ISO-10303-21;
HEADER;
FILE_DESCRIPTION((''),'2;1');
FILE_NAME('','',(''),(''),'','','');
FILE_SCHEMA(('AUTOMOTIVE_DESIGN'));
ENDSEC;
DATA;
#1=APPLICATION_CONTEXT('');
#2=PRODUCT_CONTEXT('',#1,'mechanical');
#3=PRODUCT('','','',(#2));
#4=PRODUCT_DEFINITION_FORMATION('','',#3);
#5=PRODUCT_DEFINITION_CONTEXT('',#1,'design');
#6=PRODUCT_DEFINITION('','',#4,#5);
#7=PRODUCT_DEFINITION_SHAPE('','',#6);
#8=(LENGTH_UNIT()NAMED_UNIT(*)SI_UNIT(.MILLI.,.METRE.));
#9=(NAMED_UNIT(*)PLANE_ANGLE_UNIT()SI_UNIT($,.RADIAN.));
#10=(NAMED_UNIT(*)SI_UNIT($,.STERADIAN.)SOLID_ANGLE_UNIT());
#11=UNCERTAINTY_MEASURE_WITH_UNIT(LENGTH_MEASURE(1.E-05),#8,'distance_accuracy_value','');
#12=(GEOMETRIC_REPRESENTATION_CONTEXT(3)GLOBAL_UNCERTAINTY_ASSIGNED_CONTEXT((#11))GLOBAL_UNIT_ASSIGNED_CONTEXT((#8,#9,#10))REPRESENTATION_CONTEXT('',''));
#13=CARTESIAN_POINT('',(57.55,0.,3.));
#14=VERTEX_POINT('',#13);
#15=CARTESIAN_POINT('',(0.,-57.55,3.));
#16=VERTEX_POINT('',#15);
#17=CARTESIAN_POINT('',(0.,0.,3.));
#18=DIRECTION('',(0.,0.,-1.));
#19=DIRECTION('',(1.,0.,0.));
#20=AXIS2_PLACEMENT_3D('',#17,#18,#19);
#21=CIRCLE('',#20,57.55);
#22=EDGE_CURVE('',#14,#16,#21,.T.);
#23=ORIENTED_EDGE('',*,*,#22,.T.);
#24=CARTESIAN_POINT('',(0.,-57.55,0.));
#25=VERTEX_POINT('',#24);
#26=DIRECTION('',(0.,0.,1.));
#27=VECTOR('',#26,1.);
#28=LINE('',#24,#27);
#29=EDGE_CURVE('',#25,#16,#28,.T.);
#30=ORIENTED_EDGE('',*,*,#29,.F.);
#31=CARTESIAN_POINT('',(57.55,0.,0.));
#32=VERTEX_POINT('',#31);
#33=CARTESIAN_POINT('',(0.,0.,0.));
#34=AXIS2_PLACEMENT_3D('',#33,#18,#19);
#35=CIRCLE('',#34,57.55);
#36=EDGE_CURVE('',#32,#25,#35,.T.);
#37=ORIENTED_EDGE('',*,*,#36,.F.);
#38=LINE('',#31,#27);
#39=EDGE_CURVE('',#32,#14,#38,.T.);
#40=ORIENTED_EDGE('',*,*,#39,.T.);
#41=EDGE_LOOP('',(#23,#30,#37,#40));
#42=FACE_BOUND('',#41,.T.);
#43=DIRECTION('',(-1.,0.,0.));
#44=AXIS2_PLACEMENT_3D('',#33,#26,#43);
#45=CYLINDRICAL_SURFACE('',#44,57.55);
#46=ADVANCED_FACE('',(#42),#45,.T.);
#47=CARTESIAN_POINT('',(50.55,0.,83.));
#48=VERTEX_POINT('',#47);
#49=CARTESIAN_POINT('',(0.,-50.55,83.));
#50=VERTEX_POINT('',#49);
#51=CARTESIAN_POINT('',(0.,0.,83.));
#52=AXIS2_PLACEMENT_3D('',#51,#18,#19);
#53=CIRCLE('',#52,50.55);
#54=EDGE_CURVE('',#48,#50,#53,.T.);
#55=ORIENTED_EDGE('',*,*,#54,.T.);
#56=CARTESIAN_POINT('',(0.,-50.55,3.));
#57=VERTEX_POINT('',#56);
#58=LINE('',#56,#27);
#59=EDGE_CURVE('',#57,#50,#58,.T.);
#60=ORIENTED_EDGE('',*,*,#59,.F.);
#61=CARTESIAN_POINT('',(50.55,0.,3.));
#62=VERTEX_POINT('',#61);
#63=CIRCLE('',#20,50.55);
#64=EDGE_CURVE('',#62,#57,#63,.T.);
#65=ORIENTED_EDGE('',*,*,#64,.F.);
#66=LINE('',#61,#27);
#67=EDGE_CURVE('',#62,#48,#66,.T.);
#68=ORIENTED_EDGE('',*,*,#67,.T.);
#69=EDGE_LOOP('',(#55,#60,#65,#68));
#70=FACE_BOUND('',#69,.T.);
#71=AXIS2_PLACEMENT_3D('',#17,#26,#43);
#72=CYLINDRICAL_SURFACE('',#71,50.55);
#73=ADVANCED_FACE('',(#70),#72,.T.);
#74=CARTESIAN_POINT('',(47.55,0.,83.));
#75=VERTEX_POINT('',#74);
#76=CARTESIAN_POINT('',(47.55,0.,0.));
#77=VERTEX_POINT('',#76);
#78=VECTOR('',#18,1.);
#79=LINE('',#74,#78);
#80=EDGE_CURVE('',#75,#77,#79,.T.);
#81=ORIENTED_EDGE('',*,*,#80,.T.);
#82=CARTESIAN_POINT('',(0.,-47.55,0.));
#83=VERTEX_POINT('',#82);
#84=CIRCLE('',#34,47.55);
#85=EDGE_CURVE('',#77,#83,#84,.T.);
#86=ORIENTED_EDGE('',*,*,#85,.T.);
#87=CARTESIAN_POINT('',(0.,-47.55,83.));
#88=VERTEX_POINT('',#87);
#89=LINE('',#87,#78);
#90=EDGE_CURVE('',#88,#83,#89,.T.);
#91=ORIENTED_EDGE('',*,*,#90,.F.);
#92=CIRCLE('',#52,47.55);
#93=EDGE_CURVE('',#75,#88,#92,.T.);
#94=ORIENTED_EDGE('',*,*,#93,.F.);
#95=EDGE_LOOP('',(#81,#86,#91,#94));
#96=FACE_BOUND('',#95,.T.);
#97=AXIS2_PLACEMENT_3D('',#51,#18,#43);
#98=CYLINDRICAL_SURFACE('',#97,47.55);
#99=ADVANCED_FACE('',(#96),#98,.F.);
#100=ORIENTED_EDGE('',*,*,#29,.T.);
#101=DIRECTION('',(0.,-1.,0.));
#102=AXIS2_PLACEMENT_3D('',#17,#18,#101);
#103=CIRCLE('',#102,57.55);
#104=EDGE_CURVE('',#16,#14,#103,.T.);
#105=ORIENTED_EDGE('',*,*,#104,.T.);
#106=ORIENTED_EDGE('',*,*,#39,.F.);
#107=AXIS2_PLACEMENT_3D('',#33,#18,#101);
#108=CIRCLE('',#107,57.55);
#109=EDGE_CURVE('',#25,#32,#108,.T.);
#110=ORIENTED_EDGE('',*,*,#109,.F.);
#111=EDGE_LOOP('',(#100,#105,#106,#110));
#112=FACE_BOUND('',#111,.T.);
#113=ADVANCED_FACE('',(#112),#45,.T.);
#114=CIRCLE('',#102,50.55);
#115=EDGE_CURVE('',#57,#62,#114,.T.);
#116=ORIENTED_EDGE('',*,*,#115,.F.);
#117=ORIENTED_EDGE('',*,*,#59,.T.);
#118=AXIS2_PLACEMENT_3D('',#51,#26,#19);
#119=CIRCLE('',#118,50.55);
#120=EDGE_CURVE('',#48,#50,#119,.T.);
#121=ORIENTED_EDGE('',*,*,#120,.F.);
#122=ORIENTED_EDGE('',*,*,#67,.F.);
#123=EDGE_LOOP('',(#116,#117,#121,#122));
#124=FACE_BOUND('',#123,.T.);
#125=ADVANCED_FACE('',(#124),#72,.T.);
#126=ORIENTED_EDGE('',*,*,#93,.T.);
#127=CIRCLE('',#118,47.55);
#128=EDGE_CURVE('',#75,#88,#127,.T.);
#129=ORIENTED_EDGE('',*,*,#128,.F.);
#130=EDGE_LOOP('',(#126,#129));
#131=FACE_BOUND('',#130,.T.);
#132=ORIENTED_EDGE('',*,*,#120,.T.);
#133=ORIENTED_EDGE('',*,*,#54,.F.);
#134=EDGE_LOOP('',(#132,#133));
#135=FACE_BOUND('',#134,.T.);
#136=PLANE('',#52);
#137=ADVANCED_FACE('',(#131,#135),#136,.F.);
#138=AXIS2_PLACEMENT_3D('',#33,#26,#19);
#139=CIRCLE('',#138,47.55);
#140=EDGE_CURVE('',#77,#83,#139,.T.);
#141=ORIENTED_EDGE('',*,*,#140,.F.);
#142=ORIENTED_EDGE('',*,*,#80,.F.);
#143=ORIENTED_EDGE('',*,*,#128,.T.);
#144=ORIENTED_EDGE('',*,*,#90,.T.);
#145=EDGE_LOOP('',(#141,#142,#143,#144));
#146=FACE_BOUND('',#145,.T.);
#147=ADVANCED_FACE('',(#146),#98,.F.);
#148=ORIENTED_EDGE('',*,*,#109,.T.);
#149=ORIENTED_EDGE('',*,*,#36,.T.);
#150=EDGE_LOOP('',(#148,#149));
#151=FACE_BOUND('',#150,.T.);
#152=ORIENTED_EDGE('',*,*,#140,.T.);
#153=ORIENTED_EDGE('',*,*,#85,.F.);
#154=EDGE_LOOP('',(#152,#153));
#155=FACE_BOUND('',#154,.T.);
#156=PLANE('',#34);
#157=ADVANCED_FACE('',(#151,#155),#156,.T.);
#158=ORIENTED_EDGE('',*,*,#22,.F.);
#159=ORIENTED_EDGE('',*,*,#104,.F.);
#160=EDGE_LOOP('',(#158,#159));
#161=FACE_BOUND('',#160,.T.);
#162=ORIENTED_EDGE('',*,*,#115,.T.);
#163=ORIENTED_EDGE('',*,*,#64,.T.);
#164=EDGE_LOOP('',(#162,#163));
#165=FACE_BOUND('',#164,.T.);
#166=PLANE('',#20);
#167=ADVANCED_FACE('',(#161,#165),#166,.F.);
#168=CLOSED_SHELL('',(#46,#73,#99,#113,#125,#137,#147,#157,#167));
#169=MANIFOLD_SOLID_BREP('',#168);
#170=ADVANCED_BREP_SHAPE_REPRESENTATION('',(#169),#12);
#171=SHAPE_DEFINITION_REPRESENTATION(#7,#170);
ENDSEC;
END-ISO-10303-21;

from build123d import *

# Parameters (mm, degrees)
REVOLUTION_ANGLE            = 90
REVOLUTION_MIRRORED_2_ANGLE = -90


with BuildPart() as part:
    # Sketch → Revolution (revolve)
    with BuildSketch(Plane.XZ):
        Polygon((47.55, 0), (50.55, 0), (57.55, 0), (57.55, 3), (50.55, 3), (50.55, 83), (47.55, 83), align=None)
    revolution = revolve(axis=Axis((0, 0, 0), (0, 0, 1)), revolution_arc=REVOLUTION_ANGLE)

    # Sketch Mirrored 2 → Revolution Mirrored 2 (revolve)
    with BuildSketch(Plane(origin=(0, 0, 0), x_dir=(-1, 0, 0), z_dir=(0, 1, 0))):
        Polygon((47.55, 0), (50.55, 0), (57.55, 0), (57.55, 3), (50.55, 3), (50.55, 83), (47.55, 83), align=None)
    revolution_mirrored_2 = revolve(axis=Axis((0, 0, 0), (0, 0, 1)), revolution_arc=REVOLUTION_MIRRORED_2_ANGLE)

    # Mirrored001: Revolution, Revolution Mirrored 2 across Sketch001 H_Axis
    add(revolution.mirror(Plane.ZX))
    add(revolution_mirrored_2.mirror(Plane.ZX))


solid = part.part
